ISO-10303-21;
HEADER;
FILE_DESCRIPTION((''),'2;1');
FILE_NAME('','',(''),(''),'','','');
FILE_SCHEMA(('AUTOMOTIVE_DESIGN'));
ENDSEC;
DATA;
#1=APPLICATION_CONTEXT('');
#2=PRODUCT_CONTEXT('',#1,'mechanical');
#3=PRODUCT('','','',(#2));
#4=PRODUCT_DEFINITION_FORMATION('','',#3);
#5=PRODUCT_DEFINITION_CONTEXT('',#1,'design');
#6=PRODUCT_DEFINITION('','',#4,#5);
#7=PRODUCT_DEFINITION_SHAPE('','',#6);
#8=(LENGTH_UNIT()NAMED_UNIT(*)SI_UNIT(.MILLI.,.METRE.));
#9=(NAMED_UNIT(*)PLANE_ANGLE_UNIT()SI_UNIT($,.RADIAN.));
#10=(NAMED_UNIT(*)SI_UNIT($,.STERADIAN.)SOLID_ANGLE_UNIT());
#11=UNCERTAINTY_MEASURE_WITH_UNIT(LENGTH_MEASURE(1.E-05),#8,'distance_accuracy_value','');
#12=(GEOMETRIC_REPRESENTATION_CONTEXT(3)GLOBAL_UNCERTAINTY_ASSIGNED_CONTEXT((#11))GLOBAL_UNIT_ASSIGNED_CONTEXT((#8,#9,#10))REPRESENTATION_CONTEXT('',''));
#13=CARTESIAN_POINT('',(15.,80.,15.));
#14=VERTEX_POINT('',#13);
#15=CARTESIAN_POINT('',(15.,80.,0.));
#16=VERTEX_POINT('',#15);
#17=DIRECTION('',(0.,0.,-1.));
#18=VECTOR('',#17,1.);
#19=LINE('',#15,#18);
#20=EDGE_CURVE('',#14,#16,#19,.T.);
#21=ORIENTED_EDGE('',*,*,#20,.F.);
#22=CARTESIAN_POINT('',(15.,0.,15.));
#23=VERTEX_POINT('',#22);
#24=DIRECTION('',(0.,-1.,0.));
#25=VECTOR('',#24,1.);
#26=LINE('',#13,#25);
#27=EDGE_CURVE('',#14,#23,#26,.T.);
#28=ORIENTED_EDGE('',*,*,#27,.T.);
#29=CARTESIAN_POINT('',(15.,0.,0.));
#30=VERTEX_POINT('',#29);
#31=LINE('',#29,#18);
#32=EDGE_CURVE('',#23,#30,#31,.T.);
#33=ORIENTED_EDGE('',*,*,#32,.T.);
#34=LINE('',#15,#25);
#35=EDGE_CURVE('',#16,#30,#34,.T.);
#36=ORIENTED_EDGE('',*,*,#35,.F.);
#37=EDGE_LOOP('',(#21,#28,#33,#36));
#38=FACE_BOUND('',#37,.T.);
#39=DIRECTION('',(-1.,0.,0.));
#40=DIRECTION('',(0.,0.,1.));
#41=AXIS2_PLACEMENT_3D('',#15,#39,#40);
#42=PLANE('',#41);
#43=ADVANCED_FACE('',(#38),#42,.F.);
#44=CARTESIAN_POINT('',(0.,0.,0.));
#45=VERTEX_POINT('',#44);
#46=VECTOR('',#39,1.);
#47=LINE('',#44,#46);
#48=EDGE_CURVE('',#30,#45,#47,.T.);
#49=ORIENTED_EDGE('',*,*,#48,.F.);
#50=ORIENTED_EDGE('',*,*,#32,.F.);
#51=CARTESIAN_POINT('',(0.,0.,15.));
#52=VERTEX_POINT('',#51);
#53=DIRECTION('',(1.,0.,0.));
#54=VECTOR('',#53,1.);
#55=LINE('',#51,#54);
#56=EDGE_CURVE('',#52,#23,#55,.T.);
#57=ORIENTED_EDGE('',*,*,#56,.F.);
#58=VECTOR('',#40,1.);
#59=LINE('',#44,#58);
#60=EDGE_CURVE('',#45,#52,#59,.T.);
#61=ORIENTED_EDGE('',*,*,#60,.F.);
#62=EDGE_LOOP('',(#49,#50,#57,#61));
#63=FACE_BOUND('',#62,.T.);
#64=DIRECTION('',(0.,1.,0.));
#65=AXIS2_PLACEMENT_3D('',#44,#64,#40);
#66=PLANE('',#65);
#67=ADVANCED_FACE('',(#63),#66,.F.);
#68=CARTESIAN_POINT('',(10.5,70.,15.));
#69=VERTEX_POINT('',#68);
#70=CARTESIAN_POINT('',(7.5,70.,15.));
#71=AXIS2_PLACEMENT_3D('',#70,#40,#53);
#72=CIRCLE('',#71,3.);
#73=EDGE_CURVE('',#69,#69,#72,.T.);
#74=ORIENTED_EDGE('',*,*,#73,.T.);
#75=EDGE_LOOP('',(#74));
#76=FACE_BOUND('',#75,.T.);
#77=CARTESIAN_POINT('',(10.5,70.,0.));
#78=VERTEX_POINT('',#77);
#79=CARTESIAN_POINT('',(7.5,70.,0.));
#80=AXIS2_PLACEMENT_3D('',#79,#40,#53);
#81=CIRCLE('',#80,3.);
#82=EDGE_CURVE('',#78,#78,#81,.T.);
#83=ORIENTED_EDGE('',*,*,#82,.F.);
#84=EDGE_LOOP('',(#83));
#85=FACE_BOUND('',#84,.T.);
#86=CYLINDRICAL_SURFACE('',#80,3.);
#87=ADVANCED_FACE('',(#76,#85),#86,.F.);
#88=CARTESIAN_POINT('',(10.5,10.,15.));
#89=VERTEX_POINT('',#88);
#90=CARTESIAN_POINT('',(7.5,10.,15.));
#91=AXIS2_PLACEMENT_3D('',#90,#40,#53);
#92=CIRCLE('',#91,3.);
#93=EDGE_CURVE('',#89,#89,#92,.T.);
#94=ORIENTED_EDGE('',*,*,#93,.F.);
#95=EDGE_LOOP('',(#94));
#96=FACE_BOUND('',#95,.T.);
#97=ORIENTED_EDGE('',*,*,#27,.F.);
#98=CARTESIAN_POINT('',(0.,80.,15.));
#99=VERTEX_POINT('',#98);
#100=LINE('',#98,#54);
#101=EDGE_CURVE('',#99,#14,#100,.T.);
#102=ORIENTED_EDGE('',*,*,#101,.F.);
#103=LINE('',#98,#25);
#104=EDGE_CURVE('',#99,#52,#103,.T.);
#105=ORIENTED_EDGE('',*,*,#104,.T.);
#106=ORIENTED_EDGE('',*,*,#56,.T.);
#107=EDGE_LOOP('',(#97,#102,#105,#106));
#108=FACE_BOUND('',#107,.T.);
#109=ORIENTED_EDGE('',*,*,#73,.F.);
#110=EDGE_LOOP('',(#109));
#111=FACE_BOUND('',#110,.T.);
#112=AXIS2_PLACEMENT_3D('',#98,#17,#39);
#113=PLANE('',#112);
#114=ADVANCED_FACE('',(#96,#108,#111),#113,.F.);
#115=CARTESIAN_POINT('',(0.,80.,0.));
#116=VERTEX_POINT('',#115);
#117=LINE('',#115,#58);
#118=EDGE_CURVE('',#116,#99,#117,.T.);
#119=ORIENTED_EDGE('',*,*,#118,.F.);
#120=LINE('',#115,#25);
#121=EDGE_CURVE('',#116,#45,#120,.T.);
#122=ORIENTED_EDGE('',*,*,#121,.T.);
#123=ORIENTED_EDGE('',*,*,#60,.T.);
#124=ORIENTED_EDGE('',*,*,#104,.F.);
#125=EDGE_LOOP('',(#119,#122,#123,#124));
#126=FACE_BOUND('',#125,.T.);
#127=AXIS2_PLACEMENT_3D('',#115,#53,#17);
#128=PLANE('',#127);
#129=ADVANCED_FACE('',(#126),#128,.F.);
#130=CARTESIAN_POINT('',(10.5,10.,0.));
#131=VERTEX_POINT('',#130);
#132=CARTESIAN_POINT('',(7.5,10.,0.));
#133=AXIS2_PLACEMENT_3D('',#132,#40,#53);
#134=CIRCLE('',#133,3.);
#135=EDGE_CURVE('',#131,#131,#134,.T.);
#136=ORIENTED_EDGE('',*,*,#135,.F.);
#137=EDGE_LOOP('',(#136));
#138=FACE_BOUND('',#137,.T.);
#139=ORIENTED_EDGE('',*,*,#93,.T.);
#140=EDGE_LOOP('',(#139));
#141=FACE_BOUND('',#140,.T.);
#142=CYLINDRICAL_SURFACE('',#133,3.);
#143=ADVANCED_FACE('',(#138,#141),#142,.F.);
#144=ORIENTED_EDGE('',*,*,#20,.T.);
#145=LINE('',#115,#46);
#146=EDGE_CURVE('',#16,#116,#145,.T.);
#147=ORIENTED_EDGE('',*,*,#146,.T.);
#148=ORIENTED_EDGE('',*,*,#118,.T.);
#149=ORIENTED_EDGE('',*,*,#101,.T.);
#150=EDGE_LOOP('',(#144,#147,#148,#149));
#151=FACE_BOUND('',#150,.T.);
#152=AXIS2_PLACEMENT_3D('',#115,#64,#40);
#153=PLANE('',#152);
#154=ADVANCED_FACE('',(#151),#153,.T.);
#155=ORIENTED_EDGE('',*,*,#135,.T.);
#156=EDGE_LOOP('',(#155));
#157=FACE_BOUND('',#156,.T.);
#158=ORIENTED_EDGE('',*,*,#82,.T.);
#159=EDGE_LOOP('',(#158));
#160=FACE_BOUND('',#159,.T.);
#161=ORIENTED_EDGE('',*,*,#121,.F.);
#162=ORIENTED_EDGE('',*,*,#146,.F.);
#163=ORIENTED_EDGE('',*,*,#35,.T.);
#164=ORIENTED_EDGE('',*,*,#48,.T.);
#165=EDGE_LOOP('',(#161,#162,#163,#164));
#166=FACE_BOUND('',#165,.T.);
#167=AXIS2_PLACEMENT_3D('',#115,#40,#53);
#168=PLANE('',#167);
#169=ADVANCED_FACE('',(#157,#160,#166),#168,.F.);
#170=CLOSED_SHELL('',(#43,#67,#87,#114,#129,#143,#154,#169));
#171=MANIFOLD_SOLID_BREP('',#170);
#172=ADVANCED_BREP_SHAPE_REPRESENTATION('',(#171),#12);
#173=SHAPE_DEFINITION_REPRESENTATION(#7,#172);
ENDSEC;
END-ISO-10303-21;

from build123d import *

# Parameters (mm, degrees)
SKETCH_1_W          = 15
SKETCH_1_H          = 15
EXTRUDE_1_DEPTH     = 80
SKETCH_2_R          = 3
CUT_EXTRUDE_1_DEPTH = 83.764726786


with BuildPart() as part:
    # 草图1 → 凸台-拉伸1 (new body)
    with BuildSketch(Plane(origin=(0, 0, 0), x_dir=(1, 0, 0), z_dir=(0, 1, 0))):
        with Locations((7.5, -7.5)):
            Rectangle(SKETCH_1_W, SKETCH_1_H)
    extrude(amount=EXTRUDE_1_DEPTH)

    # 草图2 → 切除-拉伸1 (cut, through all)
    with BuildSketch(Plane.XY.offset(15)):
        with Locations((7.5, 70)):
            Circle(SKETCH_2_R)
        with Locations((7.5, 10)):
            Circle(SKETCH_2_R)
    extrude(amount=-CUT_EXTRUDE_1_DEPTH, mode=Mode.SUBTRACT)


solid = part.part
